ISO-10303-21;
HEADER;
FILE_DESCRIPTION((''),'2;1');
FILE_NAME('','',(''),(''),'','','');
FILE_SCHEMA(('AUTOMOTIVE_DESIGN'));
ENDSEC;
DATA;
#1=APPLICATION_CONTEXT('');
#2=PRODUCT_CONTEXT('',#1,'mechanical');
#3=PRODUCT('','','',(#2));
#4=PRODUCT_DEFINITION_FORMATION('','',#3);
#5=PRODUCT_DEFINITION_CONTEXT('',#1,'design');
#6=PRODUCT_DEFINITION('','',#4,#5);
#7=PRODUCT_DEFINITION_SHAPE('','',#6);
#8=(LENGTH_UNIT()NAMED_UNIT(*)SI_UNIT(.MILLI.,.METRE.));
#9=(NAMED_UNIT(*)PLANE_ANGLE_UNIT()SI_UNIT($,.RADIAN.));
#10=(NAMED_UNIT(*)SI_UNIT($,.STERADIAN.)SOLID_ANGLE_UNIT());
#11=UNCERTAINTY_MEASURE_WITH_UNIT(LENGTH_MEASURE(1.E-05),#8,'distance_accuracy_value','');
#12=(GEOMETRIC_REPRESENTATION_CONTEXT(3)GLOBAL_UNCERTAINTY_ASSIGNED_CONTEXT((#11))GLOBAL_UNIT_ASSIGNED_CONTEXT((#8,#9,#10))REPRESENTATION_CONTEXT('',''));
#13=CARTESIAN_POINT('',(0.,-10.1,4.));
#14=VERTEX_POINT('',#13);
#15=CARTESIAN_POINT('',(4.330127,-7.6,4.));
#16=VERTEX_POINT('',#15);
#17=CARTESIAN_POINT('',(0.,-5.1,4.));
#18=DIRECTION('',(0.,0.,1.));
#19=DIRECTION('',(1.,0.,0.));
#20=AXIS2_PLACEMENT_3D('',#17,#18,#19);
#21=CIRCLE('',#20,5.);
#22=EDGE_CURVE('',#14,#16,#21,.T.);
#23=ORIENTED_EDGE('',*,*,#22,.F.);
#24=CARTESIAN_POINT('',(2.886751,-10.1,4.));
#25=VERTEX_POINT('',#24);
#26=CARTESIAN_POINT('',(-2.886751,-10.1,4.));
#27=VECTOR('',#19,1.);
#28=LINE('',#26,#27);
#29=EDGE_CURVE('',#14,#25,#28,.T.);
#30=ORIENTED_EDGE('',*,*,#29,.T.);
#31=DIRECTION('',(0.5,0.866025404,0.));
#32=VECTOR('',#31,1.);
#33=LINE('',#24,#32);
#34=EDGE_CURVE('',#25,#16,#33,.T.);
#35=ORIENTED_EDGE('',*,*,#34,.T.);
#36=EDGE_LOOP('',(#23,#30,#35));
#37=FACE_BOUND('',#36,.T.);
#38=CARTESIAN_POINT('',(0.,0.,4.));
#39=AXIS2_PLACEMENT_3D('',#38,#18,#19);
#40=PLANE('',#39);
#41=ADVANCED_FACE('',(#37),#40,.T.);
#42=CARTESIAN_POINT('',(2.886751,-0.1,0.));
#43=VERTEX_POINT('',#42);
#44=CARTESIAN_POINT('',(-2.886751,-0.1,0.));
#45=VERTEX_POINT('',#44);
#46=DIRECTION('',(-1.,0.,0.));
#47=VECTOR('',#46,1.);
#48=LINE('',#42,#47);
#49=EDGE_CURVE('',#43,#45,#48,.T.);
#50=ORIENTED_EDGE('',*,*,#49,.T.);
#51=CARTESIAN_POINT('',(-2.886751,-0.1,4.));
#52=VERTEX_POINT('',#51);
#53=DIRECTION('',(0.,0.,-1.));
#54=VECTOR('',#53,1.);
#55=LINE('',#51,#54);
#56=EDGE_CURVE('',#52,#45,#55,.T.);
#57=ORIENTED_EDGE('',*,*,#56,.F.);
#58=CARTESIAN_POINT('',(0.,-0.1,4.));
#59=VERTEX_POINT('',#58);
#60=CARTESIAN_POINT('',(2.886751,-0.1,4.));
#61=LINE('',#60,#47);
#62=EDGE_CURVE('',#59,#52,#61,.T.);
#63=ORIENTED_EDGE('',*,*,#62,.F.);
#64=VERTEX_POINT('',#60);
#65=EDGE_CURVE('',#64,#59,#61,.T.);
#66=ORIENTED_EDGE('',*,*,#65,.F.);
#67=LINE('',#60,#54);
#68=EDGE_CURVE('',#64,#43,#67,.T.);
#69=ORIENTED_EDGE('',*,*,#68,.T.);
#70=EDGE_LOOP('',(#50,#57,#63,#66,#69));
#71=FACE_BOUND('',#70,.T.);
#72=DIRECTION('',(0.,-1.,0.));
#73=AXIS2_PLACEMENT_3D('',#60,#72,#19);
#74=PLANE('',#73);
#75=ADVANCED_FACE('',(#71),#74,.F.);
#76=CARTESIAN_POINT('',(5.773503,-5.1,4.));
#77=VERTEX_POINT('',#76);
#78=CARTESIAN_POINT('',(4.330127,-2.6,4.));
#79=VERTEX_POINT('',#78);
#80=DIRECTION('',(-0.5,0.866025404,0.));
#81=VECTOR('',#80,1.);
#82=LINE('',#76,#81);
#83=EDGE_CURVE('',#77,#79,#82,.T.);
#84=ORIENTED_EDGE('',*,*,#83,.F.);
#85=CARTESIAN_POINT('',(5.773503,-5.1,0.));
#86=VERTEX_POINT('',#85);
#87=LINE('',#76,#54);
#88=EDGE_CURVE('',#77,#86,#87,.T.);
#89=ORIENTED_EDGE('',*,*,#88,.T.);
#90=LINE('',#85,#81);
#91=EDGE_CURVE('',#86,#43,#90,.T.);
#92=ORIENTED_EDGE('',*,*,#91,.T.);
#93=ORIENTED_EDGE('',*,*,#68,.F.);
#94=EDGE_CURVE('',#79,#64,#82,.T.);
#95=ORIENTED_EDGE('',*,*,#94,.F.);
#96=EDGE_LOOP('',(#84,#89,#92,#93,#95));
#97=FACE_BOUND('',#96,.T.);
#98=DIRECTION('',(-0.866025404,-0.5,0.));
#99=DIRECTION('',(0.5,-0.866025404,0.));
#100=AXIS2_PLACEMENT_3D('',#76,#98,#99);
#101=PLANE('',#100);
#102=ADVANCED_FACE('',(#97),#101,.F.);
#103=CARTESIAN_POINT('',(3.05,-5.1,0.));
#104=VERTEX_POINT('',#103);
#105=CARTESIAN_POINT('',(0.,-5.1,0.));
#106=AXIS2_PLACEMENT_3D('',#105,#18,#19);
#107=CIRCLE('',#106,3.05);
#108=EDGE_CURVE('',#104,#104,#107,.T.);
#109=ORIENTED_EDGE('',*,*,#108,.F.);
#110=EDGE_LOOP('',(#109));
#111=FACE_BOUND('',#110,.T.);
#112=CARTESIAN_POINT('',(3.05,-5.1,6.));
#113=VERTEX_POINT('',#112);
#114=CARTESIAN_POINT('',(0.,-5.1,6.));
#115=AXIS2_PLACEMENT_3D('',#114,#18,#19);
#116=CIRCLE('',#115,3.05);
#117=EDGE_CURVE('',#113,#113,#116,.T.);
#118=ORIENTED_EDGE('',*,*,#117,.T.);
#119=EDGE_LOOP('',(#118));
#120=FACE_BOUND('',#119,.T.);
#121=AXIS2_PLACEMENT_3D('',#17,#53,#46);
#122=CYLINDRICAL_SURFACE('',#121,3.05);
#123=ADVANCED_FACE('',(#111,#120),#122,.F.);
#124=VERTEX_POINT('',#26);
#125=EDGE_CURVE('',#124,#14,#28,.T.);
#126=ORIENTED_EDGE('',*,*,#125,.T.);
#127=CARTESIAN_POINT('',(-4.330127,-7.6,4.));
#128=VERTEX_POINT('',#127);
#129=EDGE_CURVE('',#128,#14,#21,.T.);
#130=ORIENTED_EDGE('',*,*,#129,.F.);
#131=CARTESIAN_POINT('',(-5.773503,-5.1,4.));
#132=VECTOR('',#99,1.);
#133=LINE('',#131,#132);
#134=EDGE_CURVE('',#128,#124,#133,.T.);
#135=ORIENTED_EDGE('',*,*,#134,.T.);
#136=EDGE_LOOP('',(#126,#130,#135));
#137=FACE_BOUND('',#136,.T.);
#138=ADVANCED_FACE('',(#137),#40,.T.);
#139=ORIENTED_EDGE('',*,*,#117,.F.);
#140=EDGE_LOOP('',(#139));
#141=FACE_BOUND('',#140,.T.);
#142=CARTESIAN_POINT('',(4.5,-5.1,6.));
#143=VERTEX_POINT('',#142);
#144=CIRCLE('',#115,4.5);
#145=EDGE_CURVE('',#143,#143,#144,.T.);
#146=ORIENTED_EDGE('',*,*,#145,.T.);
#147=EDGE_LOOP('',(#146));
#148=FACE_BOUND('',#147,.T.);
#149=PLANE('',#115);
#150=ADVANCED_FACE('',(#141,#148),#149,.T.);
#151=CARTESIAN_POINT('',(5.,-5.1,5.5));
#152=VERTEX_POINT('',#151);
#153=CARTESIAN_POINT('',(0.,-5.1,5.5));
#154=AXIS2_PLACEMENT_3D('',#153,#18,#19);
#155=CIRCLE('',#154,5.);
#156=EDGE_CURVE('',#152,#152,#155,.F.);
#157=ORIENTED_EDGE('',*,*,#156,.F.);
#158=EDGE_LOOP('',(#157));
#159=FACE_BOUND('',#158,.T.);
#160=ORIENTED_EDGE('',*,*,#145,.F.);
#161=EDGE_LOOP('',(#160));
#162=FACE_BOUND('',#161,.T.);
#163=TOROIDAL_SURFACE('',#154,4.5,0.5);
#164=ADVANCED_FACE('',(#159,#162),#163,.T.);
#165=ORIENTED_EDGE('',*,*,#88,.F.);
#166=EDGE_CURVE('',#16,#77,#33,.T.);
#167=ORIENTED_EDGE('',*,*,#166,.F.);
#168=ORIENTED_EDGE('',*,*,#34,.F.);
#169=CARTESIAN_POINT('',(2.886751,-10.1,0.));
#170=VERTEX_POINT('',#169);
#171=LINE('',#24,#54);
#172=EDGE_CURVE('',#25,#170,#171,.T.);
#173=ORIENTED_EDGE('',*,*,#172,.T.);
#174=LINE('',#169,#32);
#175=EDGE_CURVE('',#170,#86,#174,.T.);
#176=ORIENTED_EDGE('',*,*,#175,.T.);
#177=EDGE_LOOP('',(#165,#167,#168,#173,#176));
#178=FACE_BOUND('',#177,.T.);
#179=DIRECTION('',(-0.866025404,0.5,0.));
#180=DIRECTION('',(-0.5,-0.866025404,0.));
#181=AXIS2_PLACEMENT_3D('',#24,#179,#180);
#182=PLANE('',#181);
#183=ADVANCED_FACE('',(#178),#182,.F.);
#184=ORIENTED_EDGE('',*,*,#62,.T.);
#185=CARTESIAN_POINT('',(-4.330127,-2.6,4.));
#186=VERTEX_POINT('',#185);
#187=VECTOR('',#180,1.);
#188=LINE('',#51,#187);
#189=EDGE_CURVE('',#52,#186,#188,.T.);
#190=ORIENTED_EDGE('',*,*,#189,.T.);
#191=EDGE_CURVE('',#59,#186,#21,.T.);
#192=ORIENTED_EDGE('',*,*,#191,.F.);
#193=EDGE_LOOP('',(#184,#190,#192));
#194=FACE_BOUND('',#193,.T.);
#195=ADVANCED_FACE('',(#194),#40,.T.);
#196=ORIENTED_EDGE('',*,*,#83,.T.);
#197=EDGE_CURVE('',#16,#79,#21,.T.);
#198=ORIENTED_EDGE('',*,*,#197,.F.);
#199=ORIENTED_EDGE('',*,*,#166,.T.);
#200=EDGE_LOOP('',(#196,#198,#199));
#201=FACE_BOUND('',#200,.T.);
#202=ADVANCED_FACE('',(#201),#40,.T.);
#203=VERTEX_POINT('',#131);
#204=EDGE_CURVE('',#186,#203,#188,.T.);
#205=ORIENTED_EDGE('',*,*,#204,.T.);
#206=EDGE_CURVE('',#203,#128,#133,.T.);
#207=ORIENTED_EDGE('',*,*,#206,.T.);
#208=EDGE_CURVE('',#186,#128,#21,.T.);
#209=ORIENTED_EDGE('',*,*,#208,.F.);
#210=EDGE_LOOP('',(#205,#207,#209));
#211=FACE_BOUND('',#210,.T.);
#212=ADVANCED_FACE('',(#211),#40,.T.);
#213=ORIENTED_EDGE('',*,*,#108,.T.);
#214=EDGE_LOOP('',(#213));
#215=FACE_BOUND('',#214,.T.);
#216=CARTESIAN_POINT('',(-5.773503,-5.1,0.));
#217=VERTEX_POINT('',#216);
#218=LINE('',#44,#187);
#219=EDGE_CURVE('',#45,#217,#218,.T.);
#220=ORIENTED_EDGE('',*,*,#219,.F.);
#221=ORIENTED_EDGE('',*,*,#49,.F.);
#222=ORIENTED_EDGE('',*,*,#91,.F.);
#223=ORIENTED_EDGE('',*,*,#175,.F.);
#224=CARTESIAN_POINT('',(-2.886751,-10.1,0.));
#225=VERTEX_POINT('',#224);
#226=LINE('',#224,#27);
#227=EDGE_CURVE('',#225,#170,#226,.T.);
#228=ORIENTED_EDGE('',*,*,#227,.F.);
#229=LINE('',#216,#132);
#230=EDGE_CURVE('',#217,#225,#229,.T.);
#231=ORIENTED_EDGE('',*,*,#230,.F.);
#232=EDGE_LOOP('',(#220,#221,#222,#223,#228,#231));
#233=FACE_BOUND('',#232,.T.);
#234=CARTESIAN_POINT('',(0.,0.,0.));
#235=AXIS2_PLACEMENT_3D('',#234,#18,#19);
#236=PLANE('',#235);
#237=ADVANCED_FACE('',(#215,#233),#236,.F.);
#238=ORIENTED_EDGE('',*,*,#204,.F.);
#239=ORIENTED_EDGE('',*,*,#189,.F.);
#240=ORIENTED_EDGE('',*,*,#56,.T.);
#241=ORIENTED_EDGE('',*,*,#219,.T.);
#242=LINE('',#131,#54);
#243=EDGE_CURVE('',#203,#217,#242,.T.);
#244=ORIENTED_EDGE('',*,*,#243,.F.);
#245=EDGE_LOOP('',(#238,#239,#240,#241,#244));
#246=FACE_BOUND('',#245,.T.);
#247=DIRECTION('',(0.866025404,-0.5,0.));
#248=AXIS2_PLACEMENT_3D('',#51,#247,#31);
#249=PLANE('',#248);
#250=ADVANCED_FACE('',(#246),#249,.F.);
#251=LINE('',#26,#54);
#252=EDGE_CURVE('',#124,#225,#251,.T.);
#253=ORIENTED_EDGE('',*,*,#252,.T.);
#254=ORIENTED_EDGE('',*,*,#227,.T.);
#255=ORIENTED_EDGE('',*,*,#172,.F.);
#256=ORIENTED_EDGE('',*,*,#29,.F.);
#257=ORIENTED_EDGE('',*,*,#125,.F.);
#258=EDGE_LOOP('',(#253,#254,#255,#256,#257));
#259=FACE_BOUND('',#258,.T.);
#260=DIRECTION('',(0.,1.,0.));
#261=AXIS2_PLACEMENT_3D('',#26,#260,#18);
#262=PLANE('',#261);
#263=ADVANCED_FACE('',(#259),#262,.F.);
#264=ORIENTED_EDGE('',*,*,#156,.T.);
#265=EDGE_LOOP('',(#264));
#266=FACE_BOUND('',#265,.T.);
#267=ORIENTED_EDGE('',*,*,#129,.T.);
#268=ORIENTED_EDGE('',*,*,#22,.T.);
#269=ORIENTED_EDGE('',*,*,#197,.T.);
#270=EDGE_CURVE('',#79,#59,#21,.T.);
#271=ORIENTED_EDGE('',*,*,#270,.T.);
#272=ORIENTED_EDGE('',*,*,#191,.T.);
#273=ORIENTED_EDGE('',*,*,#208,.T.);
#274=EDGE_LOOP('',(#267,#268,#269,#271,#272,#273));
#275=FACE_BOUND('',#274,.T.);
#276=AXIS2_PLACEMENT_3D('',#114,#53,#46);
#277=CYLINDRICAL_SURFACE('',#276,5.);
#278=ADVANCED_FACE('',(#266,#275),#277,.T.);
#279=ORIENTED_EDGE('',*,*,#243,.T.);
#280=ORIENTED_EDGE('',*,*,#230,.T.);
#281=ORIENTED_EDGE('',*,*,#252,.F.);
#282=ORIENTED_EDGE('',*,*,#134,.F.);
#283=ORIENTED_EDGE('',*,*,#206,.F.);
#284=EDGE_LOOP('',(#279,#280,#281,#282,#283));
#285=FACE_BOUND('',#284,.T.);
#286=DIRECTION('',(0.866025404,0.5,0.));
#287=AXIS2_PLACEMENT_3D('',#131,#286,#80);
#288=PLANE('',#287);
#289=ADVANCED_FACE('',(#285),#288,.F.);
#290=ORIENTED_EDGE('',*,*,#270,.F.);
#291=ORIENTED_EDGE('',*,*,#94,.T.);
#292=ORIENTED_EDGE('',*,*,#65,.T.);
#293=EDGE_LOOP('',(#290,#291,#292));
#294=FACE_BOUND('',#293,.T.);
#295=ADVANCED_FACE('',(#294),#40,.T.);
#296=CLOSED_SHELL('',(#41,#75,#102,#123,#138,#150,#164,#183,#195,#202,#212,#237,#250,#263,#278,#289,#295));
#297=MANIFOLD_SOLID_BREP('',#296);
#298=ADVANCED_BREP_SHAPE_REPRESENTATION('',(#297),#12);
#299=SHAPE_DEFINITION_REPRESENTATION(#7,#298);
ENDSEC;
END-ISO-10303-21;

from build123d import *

# Parameters (mm, degrees)
SKETCH1_R           = 3.05
BOSS_EXTRUDE1_DEPTH = 4
SKETCH2_R           = 5
SKETCH2_R_2         = 3.05
BOSS_EXTRUDE2_DEPTH = 2
FILLET1_R           = 0.5


with BuildPart() as part:
    # Sketch1 → Boss-Extrude1 (new body)
    with BuildSketch(Plane.XY):
        Polygon((-2.886751346, -0.1), (-5.773502692, -5.1), (-2.886751346, -10.1), (2.886751346, -10.1), (5.773502692, -5.1), (2.886751346, -0.1), align=None)
        with Locations((0, -5.1)):
            Circle(SKETCH1_R, mode=Mode.SUBTRACT)
    extrude(amount=BOSS_EXTRUDE1_DEPTH)

    # Sketch2 → Boss-Extrude2 (add)
    with BuildSketch(Plane.XY.offset(4)):
        with Locations(Location((0, -5.1, 0), (0, 0, 150))):
            Circle(SKETCH2_R)
        with Locations((0, -5.1)):
            Circle(SKETCH2_R_2, mode=Mode.SUBTRACT)
    extrude(amount=BOSS_EXTRUDE2_DEPTH)

    # Fillet1
    fillet1_edges = [part.edges().sort_by_distance(p)[0] for p in [
        (4.330127019, -7.6, 6),
    ]]
    fillet(fillet1_edges, radius=FILLET1_R)


solid = part.part
